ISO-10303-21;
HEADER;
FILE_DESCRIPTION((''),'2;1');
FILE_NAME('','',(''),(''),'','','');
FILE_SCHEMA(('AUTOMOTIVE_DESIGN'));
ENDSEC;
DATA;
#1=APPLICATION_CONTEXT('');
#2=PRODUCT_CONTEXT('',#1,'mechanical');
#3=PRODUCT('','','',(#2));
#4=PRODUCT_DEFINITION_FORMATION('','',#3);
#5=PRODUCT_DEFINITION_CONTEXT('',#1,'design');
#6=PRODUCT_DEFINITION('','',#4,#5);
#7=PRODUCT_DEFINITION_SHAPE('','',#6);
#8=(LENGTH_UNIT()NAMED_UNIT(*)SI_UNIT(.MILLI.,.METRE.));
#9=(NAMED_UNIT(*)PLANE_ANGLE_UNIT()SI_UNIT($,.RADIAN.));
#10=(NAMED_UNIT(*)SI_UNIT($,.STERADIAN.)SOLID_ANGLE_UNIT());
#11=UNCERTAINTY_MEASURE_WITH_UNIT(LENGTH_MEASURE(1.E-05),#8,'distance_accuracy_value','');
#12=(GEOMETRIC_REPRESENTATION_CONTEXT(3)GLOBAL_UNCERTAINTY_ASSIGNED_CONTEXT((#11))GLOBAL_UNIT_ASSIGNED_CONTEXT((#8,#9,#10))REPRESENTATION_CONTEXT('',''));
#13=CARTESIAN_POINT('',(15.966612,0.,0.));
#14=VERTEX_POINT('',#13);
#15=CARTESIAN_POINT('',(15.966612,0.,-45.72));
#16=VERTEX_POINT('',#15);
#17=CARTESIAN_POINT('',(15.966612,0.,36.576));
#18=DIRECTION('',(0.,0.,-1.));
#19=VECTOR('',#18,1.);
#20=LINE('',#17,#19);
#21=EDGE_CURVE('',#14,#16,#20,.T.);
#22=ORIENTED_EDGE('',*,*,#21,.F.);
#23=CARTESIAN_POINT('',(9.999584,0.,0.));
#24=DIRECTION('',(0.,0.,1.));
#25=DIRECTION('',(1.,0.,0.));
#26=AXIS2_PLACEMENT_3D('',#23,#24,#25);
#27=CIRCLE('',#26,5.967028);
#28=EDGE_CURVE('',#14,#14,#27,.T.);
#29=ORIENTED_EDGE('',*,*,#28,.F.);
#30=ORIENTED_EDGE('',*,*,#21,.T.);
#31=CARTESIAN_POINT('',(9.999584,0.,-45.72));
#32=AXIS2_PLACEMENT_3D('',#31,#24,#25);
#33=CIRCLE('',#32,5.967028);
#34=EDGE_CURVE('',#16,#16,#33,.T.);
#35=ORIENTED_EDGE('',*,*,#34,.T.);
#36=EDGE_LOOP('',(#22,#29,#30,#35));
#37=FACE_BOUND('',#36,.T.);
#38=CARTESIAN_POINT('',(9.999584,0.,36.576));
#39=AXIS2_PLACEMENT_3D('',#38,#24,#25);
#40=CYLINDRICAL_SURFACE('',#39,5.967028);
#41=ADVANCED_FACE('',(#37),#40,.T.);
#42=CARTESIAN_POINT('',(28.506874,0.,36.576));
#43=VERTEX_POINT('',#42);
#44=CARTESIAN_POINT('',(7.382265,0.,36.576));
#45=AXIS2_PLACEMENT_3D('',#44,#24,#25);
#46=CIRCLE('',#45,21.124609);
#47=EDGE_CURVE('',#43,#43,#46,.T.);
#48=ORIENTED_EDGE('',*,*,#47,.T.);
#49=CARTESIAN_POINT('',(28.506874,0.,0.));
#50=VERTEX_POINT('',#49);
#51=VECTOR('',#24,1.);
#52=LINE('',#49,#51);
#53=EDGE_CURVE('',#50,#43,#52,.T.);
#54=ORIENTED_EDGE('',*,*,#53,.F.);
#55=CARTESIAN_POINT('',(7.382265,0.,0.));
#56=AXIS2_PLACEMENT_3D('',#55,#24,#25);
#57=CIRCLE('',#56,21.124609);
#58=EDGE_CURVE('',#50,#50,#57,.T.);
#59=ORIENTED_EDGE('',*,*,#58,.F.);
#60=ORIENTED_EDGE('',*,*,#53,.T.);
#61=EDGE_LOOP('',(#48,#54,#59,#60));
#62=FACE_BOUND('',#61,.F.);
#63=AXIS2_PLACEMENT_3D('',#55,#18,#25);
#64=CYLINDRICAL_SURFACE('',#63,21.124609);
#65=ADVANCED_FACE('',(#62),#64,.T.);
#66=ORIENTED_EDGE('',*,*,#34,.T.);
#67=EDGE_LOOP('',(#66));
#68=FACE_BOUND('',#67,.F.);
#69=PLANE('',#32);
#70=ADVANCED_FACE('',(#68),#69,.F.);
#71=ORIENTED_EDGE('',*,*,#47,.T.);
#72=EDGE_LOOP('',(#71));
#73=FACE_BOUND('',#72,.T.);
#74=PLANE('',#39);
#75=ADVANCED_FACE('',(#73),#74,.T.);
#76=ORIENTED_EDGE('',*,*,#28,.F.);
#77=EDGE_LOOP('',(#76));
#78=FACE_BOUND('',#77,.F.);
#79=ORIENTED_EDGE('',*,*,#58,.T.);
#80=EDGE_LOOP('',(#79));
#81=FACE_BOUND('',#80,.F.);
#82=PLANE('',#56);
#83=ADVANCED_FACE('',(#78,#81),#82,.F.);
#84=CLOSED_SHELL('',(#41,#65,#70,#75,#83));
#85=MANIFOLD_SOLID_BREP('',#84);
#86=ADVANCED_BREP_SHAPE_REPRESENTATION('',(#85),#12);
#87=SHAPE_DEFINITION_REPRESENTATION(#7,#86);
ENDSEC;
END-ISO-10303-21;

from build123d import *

# Parameters (mm, degrees)
F0_R     = 21.124609
F1_DEPTH = 36.576
F2_R     = 5.967028
F3_DEPTH = 82.296


with BuildPart() as f1:
    # F0 (on Top) → F1 (new body)
    with BuildSketch(Plane.XY):
        with Locations((7.382265, 0)):
            Circle(F0_R)
    extrude(amount=F1_DEPTH)

    # F2 (on face) → F3 (join)
    with BuildSketch(Plane.XY.offset(36.576)):
        with Locations((9.999584, 0)):
            Circle(F2_R)
    extrude(amount=-F3_DEPTH)


solid = f1.part
